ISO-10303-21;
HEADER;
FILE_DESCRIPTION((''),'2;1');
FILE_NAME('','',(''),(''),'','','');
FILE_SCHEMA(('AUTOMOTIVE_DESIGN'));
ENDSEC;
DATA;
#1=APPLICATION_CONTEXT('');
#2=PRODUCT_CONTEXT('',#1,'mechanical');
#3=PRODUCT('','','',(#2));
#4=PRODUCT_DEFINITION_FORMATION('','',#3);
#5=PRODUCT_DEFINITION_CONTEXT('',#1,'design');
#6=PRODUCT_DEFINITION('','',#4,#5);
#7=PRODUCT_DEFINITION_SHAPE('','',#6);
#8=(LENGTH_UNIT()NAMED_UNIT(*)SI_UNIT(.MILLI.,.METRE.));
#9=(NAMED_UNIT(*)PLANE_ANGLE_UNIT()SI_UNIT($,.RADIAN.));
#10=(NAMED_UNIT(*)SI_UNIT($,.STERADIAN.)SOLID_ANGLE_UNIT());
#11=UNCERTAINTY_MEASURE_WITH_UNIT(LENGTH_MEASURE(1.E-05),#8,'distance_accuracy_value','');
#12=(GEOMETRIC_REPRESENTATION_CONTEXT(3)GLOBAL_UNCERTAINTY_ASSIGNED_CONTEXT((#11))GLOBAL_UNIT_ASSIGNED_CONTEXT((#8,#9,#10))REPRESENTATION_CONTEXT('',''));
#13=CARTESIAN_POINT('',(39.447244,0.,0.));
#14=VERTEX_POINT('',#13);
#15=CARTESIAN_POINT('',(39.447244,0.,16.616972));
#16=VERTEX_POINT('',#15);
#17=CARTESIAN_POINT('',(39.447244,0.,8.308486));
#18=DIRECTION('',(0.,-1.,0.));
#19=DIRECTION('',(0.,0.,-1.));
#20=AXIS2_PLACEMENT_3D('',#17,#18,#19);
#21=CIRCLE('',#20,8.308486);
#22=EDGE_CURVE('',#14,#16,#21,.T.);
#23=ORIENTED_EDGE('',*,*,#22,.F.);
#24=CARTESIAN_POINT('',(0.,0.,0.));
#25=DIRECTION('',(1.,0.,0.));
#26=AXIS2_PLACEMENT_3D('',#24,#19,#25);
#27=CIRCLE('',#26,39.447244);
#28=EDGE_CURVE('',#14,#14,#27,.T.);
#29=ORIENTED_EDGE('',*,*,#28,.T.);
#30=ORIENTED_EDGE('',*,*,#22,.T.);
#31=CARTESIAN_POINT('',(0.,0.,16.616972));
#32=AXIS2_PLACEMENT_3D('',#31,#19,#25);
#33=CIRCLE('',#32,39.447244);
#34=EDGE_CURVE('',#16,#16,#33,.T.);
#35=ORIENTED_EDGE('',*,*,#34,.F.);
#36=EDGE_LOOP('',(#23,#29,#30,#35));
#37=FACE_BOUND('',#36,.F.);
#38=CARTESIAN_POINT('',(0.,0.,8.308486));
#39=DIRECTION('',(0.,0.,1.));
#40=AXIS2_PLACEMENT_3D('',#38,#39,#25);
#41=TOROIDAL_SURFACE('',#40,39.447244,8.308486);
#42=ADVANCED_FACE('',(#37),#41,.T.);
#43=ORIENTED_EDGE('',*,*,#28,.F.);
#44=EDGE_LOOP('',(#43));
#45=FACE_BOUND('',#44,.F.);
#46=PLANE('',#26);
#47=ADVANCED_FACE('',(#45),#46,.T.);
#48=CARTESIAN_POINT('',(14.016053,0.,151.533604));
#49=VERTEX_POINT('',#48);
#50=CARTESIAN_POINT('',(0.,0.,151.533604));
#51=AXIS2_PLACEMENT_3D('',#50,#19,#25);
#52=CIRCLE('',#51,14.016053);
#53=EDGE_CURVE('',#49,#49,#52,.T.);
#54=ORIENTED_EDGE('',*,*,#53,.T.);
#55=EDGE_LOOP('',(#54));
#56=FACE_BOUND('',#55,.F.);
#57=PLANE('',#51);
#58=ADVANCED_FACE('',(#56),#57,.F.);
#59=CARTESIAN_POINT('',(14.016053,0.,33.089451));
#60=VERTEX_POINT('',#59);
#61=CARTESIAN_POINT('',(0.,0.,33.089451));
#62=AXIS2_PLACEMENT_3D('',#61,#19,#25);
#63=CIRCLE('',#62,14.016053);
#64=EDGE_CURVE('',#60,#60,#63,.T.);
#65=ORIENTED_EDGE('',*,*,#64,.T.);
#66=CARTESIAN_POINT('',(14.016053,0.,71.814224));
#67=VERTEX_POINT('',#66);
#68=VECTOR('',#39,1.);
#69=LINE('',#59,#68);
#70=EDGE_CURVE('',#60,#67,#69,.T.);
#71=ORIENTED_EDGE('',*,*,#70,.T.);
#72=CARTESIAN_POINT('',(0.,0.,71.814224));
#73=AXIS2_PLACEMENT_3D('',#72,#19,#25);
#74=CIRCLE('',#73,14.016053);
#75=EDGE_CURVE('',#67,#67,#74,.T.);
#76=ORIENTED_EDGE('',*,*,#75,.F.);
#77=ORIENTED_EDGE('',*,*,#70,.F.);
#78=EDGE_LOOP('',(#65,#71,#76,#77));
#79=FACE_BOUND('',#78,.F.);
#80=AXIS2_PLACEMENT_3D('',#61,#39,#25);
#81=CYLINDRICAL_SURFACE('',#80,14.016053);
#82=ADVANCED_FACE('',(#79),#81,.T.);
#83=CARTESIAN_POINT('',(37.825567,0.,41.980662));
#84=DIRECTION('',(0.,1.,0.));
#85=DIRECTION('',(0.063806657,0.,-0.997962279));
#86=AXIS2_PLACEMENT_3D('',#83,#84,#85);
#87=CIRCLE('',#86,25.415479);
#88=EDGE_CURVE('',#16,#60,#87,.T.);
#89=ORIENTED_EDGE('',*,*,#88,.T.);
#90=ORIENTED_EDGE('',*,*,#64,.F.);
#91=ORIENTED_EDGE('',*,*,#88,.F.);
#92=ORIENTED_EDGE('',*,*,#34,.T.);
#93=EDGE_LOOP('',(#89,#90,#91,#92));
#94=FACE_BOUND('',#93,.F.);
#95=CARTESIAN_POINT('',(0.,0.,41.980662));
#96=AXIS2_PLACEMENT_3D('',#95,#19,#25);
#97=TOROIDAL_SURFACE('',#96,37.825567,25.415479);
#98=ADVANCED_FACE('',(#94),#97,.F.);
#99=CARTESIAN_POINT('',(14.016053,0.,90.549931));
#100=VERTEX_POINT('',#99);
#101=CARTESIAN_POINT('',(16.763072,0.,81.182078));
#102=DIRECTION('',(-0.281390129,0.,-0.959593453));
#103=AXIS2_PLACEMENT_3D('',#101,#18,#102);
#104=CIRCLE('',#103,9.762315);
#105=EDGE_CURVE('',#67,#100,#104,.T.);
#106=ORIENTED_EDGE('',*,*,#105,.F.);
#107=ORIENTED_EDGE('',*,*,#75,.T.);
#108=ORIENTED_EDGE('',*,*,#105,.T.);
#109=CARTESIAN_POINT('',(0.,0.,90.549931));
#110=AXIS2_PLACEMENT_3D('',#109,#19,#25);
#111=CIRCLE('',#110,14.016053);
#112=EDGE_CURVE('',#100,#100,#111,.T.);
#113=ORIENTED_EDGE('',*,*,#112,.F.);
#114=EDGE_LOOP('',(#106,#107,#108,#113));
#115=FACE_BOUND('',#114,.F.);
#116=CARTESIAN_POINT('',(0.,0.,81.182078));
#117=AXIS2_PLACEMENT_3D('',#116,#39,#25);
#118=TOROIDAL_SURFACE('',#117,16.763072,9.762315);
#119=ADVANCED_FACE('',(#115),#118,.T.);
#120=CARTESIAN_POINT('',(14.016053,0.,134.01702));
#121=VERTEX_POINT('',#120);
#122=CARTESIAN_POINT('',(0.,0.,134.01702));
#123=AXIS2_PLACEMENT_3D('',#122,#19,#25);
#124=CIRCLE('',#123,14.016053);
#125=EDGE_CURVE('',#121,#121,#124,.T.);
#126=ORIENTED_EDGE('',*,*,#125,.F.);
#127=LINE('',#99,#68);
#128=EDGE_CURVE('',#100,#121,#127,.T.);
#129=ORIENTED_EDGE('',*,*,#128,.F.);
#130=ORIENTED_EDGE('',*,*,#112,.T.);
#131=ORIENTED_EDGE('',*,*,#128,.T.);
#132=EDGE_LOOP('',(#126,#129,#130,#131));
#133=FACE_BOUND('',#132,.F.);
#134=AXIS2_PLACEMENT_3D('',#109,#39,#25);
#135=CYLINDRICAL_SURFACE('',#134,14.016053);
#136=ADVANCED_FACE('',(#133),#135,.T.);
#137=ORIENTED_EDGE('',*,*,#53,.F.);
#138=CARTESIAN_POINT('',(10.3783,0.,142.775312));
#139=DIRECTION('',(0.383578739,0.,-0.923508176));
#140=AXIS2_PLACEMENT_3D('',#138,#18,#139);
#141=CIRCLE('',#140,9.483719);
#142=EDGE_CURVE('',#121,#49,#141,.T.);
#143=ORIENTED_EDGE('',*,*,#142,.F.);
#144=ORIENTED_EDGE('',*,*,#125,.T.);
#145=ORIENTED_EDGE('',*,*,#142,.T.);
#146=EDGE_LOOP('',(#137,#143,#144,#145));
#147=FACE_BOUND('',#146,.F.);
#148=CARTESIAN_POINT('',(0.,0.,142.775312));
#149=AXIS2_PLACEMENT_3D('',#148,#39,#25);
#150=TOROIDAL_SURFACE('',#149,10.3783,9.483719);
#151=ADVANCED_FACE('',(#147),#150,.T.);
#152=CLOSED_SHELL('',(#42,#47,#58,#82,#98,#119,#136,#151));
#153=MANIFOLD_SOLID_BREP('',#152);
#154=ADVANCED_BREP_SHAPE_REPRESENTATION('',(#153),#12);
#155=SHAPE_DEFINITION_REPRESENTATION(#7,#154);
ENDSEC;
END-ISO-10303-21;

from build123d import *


with BuildPart() as f1:
    # F0 (on Front) → F1 (revolve)
    with BuildSketch(Plane.XZ):
        with BuildLine():
            Line((0, 151.533604), (0, 0))
            Line((0, 0), (39.447244, 0))
            ThreePointArc((39.447244, 0), (47.75573, 8.308486), (39.447244, 16.616972))
            ThreePointArc((39.447244, 16.616972), (24.008524, 20.649091), (14.016053, 33.089451))
            Line((14.016053, 33.089451), (14.016053, 71.814224))
            ThreePointArc((14.016053, 71.814224), (26.525387, 81.182078), (14.016053, 90.549931))
            Line((14.016053, 90.549931), (14.016053, 134.01702))
            ThreePointArc((14.016053, 134.01702), (19.862019, 142.775312), (14.016053, 151.533604))
            Line((14.016053, 151.533604), (0, 151.533604))
        make_face()
    revolve(axis=Axis((0, 0, 75.766802), (0, 0, -1)))


solid = f1.part
